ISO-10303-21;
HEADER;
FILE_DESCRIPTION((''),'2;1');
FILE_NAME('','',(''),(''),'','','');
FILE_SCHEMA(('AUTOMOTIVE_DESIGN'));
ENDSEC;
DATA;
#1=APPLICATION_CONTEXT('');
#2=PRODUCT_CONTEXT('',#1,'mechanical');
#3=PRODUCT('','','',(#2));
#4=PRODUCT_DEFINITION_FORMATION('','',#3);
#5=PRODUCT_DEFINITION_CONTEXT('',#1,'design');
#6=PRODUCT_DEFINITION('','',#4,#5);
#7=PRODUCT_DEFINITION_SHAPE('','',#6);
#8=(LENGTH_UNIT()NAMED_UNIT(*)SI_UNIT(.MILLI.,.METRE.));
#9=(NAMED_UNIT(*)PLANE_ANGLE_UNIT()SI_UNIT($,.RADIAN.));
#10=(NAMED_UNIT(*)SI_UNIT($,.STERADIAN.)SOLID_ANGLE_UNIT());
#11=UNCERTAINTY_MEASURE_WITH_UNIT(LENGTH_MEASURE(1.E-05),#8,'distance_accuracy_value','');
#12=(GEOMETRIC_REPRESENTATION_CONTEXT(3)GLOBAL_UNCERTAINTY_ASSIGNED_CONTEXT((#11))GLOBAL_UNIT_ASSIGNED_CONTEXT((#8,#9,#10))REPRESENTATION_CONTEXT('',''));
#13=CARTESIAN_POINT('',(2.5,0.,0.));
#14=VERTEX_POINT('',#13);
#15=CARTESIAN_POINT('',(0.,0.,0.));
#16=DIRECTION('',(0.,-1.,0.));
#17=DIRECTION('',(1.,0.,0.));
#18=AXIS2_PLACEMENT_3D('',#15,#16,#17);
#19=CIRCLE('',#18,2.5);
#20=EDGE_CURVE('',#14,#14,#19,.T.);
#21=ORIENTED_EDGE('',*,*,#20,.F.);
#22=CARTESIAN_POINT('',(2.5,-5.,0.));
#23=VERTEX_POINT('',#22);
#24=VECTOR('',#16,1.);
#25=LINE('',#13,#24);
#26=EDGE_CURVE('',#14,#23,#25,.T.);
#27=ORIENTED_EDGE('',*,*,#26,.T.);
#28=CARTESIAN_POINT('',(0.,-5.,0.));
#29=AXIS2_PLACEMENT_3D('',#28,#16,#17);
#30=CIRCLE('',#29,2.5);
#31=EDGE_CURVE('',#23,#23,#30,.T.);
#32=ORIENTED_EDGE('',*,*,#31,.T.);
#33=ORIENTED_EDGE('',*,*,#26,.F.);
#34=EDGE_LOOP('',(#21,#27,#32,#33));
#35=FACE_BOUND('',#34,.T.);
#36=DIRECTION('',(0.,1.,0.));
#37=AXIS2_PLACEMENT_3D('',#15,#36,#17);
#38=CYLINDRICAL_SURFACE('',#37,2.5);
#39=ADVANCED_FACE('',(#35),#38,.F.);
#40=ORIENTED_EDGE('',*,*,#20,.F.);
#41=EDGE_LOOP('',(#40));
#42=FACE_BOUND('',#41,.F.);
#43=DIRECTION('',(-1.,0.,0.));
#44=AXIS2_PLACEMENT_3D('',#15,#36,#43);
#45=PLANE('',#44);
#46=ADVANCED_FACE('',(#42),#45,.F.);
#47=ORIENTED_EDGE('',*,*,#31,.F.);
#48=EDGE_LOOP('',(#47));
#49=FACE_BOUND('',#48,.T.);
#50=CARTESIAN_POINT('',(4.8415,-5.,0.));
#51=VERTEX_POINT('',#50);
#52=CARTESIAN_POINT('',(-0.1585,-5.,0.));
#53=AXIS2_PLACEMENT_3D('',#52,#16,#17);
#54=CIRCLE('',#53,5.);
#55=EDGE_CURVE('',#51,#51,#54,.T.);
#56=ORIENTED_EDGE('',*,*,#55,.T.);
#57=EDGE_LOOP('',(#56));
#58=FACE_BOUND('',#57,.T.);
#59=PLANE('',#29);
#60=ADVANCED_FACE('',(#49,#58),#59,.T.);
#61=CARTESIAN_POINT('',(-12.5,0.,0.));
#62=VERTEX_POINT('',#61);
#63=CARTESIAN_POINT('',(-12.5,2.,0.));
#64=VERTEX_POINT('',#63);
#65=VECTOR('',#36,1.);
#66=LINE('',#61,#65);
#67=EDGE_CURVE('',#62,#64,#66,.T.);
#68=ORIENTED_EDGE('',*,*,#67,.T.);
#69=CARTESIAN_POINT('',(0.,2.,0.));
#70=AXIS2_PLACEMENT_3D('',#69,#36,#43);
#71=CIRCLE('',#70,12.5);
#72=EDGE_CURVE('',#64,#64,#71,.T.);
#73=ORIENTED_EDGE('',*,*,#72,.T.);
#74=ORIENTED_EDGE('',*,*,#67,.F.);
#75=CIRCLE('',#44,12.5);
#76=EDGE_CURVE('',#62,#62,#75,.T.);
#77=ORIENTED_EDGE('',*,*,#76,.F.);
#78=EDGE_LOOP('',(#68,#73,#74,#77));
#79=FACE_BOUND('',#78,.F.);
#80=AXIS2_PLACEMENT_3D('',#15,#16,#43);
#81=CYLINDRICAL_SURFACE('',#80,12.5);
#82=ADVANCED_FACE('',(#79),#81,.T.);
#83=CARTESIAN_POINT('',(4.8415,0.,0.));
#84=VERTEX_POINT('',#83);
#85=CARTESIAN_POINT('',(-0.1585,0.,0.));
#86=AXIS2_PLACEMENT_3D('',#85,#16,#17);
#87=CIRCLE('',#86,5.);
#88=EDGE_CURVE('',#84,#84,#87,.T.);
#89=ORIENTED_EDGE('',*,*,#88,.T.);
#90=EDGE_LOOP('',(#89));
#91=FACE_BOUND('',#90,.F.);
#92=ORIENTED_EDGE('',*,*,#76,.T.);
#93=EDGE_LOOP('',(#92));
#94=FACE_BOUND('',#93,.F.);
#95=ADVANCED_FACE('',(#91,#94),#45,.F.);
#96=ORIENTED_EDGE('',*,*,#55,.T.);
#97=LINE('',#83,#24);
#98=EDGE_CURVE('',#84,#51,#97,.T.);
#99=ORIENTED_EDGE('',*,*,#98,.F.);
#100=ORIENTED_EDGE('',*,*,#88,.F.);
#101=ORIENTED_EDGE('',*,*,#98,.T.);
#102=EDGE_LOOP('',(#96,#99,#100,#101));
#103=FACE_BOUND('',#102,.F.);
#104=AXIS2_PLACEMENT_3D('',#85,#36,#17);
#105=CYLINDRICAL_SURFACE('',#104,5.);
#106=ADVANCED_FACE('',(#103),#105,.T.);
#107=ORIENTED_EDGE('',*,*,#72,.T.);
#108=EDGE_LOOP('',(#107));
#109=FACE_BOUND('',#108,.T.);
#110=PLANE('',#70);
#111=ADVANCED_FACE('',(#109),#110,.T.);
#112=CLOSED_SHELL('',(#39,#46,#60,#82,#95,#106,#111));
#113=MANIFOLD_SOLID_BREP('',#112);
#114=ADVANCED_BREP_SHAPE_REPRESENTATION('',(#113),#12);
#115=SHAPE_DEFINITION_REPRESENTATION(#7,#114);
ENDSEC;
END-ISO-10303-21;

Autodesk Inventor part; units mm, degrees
ref_plane "YZ Plane" through (0, 0, 0) normal (1, 0, 0) x (0, 1, 0)
ref_plane "XZ Plane" through (0, 0, 0) normal (0, 1, 0) x (-1, 0, 0)
ref_plane "XY Plane" through (0, 0, 0) normal (0, 0, 1) x (1, 0, 0)
sketch "Sketch1" plane through (0, 0, 0) normal (0, 1, 0) x (-1, 0, 0)
  circle A0 centre (0, 0) radius 12.5
  dimension "d0" = 25
extrude "Extrusion1" add sketch "Sketch1" along normal blind 2
sketch "Sketch2" plane through (0, 0, 0) normal (0, -1, 0) x (1, 0, 0)
  circle A0 centre (0, 0) radius 2.5
  circle A1 centre (-0.1585, 0) radius 5
  dimension "d3" = 5
  dimension "d4" = 10
extrude "Extrusion2" add sketch "Sketch2" along normal blind 5
equation "\"BendRadius\" = Thickness"
equation "\"BendReliefWidth\" = Thickness"
equation "\"BendReliefDepth\" = 0.5 * Thickness"
equation "\"CornerReliefSize\" = 4 * Thickness"
equation "\"MinimumRemnant\" = 2 * Thickness"
equation "\"TransitionRadius\" = BendRadius"
equation "\"JacobiRadiusSize\" = BendRadius"
equation "\"GapSize\" = Thickness"
equation "\"Thickness\" = 0.5"
properties part number "Servo_bigg_top"
